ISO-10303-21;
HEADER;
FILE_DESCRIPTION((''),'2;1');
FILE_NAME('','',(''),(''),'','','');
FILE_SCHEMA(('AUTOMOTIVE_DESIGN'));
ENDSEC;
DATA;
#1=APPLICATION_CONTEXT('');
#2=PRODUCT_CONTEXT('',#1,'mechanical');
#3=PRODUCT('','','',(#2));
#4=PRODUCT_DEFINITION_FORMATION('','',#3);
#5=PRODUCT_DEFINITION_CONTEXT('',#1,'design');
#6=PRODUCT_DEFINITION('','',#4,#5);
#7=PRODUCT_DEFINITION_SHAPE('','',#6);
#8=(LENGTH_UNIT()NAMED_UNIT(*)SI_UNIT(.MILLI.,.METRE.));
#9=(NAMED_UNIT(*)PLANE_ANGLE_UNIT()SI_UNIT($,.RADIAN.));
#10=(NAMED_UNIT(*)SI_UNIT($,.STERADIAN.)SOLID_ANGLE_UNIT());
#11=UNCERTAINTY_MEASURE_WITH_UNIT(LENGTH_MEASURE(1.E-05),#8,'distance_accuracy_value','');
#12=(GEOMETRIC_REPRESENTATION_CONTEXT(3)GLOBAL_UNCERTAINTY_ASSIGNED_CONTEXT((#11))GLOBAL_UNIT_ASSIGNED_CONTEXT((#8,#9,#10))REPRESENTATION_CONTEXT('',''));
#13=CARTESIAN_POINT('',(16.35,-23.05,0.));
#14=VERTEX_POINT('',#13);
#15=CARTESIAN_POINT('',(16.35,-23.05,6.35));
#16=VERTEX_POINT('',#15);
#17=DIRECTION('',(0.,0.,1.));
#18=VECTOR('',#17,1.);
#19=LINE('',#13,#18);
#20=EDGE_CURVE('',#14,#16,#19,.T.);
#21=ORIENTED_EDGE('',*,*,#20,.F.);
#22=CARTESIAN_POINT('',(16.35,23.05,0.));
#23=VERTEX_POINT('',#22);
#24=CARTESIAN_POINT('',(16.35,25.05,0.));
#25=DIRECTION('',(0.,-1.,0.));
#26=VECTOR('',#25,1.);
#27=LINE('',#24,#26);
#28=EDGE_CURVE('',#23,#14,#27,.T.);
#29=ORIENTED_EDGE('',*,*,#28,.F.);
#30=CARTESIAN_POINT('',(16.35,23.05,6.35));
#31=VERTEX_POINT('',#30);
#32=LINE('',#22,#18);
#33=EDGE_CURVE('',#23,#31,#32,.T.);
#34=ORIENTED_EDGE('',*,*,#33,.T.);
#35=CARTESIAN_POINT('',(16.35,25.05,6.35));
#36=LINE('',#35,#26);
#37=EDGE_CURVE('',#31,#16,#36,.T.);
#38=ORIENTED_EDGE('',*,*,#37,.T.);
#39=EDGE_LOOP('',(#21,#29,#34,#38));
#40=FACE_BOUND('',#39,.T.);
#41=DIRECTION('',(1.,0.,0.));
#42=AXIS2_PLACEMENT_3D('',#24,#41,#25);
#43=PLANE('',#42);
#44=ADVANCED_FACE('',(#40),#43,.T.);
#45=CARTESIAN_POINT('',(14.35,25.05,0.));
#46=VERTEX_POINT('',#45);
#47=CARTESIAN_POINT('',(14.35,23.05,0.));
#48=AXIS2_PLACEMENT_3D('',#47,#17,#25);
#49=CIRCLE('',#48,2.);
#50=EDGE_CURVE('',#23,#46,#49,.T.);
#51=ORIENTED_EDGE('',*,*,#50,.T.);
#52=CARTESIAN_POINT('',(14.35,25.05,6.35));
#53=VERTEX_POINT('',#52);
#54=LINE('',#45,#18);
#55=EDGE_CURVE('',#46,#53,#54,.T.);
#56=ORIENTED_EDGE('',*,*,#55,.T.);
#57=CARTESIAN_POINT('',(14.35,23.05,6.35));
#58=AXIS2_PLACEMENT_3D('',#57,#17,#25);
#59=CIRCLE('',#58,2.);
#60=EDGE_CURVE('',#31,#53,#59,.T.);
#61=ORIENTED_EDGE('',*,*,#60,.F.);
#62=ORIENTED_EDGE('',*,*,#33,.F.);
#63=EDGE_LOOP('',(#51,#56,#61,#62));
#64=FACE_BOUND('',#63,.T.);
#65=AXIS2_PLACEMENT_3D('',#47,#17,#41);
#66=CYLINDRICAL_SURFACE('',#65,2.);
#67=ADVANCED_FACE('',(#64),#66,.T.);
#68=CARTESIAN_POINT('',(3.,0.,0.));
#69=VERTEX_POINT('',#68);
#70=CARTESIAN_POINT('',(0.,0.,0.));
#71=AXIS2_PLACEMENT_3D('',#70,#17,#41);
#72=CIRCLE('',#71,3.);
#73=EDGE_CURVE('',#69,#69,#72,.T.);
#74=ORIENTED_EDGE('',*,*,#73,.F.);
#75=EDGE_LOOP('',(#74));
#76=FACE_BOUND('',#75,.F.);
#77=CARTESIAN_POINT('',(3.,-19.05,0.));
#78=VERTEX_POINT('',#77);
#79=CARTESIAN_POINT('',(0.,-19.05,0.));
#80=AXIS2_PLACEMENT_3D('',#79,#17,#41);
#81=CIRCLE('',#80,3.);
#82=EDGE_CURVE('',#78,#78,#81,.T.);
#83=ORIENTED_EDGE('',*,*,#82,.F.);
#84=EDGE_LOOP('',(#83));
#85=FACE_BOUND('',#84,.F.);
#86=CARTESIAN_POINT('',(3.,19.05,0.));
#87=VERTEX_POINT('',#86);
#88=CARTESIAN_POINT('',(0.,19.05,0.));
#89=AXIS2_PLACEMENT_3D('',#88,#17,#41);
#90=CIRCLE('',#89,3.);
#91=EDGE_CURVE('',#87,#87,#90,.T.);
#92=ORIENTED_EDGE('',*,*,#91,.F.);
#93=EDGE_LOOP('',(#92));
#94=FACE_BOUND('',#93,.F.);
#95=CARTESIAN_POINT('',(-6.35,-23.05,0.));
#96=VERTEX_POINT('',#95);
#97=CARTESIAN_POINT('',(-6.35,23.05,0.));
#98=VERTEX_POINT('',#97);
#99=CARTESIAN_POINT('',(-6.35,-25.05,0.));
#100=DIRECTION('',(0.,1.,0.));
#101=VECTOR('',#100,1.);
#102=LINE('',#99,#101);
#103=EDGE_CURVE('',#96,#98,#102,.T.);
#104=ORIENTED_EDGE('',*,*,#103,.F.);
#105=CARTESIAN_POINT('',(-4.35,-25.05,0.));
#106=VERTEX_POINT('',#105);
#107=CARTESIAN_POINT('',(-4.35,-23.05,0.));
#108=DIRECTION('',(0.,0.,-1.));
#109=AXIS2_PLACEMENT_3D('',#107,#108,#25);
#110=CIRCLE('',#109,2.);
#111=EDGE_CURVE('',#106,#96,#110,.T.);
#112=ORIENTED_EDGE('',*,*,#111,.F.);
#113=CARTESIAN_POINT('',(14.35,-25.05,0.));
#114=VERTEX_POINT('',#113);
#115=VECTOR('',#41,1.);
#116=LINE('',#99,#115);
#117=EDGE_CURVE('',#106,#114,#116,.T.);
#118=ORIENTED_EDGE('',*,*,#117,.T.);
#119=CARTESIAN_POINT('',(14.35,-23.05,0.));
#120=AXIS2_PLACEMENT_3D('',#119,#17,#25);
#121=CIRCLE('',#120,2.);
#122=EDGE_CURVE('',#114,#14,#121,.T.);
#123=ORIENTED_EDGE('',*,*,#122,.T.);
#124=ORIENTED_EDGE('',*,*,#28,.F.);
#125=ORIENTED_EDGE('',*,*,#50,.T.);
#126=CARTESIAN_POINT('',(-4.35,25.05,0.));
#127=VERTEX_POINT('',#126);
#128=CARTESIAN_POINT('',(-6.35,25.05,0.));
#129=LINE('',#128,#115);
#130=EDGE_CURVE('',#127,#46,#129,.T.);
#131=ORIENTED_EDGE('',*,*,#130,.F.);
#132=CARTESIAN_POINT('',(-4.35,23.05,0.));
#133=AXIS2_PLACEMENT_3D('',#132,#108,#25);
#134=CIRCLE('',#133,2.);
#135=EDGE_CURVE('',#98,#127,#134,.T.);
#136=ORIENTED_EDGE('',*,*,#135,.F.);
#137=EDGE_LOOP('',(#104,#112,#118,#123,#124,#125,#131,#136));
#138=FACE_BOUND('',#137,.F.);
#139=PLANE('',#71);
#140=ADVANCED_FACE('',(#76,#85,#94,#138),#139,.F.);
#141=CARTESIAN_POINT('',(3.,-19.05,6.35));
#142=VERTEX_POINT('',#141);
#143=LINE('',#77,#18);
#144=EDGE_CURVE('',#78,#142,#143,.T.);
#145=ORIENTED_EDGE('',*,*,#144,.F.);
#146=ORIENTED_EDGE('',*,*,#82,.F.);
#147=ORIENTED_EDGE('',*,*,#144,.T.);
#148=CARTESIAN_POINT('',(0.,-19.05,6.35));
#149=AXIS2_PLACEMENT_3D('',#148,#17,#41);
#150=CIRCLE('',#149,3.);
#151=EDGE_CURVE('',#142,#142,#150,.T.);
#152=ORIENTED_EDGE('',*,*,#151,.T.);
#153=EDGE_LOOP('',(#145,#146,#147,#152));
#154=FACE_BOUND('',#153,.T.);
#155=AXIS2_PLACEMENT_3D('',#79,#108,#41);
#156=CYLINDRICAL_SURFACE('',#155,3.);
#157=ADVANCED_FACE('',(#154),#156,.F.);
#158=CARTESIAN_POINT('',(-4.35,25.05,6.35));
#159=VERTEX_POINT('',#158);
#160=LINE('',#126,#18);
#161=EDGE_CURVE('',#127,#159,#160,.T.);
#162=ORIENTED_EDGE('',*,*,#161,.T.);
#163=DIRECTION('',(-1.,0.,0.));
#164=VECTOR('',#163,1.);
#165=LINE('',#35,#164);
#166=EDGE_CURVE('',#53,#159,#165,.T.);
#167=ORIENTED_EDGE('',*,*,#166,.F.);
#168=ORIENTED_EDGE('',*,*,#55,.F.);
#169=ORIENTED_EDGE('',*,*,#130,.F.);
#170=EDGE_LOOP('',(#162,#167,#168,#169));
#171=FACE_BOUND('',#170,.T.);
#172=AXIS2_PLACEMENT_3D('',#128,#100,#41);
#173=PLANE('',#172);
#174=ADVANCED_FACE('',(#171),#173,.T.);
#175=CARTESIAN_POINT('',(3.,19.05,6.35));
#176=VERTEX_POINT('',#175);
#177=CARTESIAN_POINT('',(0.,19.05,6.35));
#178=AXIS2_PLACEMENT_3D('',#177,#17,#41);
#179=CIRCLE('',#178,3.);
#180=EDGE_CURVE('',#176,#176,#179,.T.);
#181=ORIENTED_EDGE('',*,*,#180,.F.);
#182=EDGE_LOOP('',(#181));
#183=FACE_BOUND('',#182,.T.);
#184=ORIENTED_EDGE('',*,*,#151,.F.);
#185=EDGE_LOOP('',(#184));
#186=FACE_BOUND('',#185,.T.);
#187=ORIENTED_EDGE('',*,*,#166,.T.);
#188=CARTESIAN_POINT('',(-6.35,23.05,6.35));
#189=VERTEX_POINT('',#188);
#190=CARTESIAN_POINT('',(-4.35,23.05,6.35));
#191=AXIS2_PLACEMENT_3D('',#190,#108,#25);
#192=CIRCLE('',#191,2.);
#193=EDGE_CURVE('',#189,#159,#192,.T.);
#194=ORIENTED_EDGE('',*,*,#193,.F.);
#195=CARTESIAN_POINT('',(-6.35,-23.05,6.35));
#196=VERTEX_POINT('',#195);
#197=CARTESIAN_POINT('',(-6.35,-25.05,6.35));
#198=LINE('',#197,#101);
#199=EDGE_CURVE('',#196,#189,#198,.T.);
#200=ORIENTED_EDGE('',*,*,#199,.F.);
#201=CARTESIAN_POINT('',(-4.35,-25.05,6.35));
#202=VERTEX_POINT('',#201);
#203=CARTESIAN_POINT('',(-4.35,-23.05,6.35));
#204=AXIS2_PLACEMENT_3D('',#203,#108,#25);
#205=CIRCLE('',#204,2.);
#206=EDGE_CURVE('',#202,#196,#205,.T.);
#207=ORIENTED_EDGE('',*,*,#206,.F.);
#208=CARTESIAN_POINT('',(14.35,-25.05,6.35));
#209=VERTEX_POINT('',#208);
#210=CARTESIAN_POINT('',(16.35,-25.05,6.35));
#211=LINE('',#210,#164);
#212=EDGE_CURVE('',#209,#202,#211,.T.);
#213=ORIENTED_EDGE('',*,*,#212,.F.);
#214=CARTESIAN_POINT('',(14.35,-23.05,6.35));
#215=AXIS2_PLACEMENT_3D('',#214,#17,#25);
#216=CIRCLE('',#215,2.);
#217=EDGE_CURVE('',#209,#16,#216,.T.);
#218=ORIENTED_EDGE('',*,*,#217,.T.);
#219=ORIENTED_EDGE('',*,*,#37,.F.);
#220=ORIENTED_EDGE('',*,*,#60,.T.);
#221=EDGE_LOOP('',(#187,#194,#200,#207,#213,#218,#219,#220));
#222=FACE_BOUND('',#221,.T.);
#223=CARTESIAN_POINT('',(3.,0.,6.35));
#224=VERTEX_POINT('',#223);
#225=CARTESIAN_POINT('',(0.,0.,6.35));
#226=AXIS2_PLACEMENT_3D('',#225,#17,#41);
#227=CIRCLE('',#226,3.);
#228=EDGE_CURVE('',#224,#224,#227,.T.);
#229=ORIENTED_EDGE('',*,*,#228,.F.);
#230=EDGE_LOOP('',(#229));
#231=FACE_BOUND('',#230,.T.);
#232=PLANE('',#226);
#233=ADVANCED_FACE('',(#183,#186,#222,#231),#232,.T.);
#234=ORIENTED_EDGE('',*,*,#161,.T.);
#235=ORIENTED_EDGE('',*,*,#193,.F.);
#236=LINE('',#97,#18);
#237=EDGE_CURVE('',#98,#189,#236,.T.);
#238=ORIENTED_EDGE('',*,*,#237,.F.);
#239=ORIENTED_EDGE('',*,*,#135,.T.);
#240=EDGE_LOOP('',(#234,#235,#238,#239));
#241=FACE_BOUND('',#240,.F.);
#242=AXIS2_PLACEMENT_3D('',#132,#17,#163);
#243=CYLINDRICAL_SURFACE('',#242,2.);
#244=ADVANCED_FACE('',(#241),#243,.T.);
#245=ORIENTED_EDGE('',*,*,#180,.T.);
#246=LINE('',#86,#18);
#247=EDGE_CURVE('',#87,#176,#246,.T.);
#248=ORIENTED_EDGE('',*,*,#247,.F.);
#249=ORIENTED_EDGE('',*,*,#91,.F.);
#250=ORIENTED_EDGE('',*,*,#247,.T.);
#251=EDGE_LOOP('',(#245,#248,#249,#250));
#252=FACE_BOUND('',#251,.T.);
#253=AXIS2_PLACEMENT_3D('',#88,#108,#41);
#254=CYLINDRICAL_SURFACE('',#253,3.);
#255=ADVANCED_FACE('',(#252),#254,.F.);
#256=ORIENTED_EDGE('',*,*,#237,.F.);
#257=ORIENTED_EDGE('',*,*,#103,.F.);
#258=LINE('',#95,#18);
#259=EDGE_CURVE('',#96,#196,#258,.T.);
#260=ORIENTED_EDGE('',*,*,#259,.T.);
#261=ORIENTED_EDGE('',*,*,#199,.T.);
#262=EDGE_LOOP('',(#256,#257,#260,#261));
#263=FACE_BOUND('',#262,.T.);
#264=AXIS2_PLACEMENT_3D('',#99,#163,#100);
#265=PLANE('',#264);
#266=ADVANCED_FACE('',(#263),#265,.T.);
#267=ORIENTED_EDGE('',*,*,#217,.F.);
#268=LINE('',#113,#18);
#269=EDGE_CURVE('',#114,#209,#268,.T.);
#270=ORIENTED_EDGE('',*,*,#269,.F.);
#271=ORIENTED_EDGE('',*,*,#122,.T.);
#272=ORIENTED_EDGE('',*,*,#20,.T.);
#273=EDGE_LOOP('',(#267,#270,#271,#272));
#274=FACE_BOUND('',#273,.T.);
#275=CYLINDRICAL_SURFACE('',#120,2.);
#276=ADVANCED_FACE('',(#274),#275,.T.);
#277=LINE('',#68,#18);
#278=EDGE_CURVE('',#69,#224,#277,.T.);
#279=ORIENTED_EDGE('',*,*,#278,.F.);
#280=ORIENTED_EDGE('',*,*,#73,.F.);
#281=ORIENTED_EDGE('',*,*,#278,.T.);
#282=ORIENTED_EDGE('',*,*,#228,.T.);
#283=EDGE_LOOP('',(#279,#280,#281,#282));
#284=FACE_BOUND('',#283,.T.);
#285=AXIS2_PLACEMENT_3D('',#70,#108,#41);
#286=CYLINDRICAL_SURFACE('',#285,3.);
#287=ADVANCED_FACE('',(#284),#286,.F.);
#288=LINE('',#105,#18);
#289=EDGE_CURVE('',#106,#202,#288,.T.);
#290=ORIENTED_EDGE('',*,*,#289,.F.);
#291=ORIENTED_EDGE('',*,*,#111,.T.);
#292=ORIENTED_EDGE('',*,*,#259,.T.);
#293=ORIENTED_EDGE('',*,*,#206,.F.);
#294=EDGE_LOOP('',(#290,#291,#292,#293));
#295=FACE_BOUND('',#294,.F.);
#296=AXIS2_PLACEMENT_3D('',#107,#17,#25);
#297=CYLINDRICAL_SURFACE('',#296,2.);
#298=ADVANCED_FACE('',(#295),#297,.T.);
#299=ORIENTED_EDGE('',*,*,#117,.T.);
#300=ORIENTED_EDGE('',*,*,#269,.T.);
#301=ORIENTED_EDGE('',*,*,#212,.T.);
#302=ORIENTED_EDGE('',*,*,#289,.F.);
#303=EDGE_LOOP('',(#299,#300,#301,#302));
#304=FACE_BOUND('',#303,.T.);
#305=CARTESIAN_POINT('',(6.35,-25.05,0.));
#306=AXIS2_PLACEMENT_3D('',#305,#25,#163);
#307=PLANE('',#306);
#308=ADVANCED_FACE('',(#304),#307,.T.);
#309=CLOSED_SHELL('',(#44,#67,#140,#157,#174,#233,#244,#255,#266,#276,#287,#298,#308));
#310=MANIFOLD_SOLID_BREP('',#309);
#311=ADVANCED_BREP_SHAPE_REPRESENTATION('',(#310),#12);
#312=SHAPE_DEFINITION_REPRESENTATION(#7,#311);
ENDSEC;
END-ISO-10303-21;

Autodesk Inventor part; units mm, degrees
ref_plane "YZ Plane" through (0, 0, 0) normal (1, 0, 0) x (0, 1, 0)
ref_plane "XZ Plane" through (0, 0, 0) normal (0, 1, 0) x (-1, 0, 0)
ref_plane "XY Plane" through (0, 0, 0) normal (0, 0, 1) x (1, 0, 0)
sketch "Sketch1" plane through (0, 0, 0) normal (0, 0, 1) x (1, 0, 0)
  line L0 (6.35, -25.05) -> (-6.35, -25.05)
  line L1 (-6.35, -25.05) -> (-6.35, 25.05)
  line L2 (-6.35, 25.05) -> (6.35, 25.05)
  line L3 (6.35, 25.05) -> (6.35, -25.05)
  line L4 (6.35, -25.05) -> (-6.35, 25.05) construction
  line L5 (-6.35, -25.05) -> (6.35, 25.05) construction
  circle A0 centre (0, 19.05) radius 3
  circle A1 centre (0, 0) radius 3
  circle A2 centre (0, -19.05) radius 3
  line L6 (6.35, 25.05) -> (16.35, 25.05)
  line L7 (16.35, 25.05) -> (16.35, -25.05)
  line L8 (16.35, -25.05) -> (6.35, -25.05)
  line L9 (6.35, -25.05) -> (6.35, 25.05)
  dimension "d0" = 50.1
  dimension "d1" = 19.05
  dimension "d2" = 19.05
  dimension "d3" = 6
  dimension "d4" = 12.7
  dimension "d8" = 10
extrude "Extrusion1" add sketch "Sketch1" along normal blind 6.35
fillet "Fillet1" radius 2 4 edges at (-6.35, 25.05, 3.175) (-6.35, -25.05, 3.175) (16.35, 25.05, 3.175) (16.35, -25.05, 3.175)
equation "\"d2\" = d1"
properties part number "INTAKE_HARDSTOPS" material "3D Print Material - chopped carbon Nylon12 (preferred)"
